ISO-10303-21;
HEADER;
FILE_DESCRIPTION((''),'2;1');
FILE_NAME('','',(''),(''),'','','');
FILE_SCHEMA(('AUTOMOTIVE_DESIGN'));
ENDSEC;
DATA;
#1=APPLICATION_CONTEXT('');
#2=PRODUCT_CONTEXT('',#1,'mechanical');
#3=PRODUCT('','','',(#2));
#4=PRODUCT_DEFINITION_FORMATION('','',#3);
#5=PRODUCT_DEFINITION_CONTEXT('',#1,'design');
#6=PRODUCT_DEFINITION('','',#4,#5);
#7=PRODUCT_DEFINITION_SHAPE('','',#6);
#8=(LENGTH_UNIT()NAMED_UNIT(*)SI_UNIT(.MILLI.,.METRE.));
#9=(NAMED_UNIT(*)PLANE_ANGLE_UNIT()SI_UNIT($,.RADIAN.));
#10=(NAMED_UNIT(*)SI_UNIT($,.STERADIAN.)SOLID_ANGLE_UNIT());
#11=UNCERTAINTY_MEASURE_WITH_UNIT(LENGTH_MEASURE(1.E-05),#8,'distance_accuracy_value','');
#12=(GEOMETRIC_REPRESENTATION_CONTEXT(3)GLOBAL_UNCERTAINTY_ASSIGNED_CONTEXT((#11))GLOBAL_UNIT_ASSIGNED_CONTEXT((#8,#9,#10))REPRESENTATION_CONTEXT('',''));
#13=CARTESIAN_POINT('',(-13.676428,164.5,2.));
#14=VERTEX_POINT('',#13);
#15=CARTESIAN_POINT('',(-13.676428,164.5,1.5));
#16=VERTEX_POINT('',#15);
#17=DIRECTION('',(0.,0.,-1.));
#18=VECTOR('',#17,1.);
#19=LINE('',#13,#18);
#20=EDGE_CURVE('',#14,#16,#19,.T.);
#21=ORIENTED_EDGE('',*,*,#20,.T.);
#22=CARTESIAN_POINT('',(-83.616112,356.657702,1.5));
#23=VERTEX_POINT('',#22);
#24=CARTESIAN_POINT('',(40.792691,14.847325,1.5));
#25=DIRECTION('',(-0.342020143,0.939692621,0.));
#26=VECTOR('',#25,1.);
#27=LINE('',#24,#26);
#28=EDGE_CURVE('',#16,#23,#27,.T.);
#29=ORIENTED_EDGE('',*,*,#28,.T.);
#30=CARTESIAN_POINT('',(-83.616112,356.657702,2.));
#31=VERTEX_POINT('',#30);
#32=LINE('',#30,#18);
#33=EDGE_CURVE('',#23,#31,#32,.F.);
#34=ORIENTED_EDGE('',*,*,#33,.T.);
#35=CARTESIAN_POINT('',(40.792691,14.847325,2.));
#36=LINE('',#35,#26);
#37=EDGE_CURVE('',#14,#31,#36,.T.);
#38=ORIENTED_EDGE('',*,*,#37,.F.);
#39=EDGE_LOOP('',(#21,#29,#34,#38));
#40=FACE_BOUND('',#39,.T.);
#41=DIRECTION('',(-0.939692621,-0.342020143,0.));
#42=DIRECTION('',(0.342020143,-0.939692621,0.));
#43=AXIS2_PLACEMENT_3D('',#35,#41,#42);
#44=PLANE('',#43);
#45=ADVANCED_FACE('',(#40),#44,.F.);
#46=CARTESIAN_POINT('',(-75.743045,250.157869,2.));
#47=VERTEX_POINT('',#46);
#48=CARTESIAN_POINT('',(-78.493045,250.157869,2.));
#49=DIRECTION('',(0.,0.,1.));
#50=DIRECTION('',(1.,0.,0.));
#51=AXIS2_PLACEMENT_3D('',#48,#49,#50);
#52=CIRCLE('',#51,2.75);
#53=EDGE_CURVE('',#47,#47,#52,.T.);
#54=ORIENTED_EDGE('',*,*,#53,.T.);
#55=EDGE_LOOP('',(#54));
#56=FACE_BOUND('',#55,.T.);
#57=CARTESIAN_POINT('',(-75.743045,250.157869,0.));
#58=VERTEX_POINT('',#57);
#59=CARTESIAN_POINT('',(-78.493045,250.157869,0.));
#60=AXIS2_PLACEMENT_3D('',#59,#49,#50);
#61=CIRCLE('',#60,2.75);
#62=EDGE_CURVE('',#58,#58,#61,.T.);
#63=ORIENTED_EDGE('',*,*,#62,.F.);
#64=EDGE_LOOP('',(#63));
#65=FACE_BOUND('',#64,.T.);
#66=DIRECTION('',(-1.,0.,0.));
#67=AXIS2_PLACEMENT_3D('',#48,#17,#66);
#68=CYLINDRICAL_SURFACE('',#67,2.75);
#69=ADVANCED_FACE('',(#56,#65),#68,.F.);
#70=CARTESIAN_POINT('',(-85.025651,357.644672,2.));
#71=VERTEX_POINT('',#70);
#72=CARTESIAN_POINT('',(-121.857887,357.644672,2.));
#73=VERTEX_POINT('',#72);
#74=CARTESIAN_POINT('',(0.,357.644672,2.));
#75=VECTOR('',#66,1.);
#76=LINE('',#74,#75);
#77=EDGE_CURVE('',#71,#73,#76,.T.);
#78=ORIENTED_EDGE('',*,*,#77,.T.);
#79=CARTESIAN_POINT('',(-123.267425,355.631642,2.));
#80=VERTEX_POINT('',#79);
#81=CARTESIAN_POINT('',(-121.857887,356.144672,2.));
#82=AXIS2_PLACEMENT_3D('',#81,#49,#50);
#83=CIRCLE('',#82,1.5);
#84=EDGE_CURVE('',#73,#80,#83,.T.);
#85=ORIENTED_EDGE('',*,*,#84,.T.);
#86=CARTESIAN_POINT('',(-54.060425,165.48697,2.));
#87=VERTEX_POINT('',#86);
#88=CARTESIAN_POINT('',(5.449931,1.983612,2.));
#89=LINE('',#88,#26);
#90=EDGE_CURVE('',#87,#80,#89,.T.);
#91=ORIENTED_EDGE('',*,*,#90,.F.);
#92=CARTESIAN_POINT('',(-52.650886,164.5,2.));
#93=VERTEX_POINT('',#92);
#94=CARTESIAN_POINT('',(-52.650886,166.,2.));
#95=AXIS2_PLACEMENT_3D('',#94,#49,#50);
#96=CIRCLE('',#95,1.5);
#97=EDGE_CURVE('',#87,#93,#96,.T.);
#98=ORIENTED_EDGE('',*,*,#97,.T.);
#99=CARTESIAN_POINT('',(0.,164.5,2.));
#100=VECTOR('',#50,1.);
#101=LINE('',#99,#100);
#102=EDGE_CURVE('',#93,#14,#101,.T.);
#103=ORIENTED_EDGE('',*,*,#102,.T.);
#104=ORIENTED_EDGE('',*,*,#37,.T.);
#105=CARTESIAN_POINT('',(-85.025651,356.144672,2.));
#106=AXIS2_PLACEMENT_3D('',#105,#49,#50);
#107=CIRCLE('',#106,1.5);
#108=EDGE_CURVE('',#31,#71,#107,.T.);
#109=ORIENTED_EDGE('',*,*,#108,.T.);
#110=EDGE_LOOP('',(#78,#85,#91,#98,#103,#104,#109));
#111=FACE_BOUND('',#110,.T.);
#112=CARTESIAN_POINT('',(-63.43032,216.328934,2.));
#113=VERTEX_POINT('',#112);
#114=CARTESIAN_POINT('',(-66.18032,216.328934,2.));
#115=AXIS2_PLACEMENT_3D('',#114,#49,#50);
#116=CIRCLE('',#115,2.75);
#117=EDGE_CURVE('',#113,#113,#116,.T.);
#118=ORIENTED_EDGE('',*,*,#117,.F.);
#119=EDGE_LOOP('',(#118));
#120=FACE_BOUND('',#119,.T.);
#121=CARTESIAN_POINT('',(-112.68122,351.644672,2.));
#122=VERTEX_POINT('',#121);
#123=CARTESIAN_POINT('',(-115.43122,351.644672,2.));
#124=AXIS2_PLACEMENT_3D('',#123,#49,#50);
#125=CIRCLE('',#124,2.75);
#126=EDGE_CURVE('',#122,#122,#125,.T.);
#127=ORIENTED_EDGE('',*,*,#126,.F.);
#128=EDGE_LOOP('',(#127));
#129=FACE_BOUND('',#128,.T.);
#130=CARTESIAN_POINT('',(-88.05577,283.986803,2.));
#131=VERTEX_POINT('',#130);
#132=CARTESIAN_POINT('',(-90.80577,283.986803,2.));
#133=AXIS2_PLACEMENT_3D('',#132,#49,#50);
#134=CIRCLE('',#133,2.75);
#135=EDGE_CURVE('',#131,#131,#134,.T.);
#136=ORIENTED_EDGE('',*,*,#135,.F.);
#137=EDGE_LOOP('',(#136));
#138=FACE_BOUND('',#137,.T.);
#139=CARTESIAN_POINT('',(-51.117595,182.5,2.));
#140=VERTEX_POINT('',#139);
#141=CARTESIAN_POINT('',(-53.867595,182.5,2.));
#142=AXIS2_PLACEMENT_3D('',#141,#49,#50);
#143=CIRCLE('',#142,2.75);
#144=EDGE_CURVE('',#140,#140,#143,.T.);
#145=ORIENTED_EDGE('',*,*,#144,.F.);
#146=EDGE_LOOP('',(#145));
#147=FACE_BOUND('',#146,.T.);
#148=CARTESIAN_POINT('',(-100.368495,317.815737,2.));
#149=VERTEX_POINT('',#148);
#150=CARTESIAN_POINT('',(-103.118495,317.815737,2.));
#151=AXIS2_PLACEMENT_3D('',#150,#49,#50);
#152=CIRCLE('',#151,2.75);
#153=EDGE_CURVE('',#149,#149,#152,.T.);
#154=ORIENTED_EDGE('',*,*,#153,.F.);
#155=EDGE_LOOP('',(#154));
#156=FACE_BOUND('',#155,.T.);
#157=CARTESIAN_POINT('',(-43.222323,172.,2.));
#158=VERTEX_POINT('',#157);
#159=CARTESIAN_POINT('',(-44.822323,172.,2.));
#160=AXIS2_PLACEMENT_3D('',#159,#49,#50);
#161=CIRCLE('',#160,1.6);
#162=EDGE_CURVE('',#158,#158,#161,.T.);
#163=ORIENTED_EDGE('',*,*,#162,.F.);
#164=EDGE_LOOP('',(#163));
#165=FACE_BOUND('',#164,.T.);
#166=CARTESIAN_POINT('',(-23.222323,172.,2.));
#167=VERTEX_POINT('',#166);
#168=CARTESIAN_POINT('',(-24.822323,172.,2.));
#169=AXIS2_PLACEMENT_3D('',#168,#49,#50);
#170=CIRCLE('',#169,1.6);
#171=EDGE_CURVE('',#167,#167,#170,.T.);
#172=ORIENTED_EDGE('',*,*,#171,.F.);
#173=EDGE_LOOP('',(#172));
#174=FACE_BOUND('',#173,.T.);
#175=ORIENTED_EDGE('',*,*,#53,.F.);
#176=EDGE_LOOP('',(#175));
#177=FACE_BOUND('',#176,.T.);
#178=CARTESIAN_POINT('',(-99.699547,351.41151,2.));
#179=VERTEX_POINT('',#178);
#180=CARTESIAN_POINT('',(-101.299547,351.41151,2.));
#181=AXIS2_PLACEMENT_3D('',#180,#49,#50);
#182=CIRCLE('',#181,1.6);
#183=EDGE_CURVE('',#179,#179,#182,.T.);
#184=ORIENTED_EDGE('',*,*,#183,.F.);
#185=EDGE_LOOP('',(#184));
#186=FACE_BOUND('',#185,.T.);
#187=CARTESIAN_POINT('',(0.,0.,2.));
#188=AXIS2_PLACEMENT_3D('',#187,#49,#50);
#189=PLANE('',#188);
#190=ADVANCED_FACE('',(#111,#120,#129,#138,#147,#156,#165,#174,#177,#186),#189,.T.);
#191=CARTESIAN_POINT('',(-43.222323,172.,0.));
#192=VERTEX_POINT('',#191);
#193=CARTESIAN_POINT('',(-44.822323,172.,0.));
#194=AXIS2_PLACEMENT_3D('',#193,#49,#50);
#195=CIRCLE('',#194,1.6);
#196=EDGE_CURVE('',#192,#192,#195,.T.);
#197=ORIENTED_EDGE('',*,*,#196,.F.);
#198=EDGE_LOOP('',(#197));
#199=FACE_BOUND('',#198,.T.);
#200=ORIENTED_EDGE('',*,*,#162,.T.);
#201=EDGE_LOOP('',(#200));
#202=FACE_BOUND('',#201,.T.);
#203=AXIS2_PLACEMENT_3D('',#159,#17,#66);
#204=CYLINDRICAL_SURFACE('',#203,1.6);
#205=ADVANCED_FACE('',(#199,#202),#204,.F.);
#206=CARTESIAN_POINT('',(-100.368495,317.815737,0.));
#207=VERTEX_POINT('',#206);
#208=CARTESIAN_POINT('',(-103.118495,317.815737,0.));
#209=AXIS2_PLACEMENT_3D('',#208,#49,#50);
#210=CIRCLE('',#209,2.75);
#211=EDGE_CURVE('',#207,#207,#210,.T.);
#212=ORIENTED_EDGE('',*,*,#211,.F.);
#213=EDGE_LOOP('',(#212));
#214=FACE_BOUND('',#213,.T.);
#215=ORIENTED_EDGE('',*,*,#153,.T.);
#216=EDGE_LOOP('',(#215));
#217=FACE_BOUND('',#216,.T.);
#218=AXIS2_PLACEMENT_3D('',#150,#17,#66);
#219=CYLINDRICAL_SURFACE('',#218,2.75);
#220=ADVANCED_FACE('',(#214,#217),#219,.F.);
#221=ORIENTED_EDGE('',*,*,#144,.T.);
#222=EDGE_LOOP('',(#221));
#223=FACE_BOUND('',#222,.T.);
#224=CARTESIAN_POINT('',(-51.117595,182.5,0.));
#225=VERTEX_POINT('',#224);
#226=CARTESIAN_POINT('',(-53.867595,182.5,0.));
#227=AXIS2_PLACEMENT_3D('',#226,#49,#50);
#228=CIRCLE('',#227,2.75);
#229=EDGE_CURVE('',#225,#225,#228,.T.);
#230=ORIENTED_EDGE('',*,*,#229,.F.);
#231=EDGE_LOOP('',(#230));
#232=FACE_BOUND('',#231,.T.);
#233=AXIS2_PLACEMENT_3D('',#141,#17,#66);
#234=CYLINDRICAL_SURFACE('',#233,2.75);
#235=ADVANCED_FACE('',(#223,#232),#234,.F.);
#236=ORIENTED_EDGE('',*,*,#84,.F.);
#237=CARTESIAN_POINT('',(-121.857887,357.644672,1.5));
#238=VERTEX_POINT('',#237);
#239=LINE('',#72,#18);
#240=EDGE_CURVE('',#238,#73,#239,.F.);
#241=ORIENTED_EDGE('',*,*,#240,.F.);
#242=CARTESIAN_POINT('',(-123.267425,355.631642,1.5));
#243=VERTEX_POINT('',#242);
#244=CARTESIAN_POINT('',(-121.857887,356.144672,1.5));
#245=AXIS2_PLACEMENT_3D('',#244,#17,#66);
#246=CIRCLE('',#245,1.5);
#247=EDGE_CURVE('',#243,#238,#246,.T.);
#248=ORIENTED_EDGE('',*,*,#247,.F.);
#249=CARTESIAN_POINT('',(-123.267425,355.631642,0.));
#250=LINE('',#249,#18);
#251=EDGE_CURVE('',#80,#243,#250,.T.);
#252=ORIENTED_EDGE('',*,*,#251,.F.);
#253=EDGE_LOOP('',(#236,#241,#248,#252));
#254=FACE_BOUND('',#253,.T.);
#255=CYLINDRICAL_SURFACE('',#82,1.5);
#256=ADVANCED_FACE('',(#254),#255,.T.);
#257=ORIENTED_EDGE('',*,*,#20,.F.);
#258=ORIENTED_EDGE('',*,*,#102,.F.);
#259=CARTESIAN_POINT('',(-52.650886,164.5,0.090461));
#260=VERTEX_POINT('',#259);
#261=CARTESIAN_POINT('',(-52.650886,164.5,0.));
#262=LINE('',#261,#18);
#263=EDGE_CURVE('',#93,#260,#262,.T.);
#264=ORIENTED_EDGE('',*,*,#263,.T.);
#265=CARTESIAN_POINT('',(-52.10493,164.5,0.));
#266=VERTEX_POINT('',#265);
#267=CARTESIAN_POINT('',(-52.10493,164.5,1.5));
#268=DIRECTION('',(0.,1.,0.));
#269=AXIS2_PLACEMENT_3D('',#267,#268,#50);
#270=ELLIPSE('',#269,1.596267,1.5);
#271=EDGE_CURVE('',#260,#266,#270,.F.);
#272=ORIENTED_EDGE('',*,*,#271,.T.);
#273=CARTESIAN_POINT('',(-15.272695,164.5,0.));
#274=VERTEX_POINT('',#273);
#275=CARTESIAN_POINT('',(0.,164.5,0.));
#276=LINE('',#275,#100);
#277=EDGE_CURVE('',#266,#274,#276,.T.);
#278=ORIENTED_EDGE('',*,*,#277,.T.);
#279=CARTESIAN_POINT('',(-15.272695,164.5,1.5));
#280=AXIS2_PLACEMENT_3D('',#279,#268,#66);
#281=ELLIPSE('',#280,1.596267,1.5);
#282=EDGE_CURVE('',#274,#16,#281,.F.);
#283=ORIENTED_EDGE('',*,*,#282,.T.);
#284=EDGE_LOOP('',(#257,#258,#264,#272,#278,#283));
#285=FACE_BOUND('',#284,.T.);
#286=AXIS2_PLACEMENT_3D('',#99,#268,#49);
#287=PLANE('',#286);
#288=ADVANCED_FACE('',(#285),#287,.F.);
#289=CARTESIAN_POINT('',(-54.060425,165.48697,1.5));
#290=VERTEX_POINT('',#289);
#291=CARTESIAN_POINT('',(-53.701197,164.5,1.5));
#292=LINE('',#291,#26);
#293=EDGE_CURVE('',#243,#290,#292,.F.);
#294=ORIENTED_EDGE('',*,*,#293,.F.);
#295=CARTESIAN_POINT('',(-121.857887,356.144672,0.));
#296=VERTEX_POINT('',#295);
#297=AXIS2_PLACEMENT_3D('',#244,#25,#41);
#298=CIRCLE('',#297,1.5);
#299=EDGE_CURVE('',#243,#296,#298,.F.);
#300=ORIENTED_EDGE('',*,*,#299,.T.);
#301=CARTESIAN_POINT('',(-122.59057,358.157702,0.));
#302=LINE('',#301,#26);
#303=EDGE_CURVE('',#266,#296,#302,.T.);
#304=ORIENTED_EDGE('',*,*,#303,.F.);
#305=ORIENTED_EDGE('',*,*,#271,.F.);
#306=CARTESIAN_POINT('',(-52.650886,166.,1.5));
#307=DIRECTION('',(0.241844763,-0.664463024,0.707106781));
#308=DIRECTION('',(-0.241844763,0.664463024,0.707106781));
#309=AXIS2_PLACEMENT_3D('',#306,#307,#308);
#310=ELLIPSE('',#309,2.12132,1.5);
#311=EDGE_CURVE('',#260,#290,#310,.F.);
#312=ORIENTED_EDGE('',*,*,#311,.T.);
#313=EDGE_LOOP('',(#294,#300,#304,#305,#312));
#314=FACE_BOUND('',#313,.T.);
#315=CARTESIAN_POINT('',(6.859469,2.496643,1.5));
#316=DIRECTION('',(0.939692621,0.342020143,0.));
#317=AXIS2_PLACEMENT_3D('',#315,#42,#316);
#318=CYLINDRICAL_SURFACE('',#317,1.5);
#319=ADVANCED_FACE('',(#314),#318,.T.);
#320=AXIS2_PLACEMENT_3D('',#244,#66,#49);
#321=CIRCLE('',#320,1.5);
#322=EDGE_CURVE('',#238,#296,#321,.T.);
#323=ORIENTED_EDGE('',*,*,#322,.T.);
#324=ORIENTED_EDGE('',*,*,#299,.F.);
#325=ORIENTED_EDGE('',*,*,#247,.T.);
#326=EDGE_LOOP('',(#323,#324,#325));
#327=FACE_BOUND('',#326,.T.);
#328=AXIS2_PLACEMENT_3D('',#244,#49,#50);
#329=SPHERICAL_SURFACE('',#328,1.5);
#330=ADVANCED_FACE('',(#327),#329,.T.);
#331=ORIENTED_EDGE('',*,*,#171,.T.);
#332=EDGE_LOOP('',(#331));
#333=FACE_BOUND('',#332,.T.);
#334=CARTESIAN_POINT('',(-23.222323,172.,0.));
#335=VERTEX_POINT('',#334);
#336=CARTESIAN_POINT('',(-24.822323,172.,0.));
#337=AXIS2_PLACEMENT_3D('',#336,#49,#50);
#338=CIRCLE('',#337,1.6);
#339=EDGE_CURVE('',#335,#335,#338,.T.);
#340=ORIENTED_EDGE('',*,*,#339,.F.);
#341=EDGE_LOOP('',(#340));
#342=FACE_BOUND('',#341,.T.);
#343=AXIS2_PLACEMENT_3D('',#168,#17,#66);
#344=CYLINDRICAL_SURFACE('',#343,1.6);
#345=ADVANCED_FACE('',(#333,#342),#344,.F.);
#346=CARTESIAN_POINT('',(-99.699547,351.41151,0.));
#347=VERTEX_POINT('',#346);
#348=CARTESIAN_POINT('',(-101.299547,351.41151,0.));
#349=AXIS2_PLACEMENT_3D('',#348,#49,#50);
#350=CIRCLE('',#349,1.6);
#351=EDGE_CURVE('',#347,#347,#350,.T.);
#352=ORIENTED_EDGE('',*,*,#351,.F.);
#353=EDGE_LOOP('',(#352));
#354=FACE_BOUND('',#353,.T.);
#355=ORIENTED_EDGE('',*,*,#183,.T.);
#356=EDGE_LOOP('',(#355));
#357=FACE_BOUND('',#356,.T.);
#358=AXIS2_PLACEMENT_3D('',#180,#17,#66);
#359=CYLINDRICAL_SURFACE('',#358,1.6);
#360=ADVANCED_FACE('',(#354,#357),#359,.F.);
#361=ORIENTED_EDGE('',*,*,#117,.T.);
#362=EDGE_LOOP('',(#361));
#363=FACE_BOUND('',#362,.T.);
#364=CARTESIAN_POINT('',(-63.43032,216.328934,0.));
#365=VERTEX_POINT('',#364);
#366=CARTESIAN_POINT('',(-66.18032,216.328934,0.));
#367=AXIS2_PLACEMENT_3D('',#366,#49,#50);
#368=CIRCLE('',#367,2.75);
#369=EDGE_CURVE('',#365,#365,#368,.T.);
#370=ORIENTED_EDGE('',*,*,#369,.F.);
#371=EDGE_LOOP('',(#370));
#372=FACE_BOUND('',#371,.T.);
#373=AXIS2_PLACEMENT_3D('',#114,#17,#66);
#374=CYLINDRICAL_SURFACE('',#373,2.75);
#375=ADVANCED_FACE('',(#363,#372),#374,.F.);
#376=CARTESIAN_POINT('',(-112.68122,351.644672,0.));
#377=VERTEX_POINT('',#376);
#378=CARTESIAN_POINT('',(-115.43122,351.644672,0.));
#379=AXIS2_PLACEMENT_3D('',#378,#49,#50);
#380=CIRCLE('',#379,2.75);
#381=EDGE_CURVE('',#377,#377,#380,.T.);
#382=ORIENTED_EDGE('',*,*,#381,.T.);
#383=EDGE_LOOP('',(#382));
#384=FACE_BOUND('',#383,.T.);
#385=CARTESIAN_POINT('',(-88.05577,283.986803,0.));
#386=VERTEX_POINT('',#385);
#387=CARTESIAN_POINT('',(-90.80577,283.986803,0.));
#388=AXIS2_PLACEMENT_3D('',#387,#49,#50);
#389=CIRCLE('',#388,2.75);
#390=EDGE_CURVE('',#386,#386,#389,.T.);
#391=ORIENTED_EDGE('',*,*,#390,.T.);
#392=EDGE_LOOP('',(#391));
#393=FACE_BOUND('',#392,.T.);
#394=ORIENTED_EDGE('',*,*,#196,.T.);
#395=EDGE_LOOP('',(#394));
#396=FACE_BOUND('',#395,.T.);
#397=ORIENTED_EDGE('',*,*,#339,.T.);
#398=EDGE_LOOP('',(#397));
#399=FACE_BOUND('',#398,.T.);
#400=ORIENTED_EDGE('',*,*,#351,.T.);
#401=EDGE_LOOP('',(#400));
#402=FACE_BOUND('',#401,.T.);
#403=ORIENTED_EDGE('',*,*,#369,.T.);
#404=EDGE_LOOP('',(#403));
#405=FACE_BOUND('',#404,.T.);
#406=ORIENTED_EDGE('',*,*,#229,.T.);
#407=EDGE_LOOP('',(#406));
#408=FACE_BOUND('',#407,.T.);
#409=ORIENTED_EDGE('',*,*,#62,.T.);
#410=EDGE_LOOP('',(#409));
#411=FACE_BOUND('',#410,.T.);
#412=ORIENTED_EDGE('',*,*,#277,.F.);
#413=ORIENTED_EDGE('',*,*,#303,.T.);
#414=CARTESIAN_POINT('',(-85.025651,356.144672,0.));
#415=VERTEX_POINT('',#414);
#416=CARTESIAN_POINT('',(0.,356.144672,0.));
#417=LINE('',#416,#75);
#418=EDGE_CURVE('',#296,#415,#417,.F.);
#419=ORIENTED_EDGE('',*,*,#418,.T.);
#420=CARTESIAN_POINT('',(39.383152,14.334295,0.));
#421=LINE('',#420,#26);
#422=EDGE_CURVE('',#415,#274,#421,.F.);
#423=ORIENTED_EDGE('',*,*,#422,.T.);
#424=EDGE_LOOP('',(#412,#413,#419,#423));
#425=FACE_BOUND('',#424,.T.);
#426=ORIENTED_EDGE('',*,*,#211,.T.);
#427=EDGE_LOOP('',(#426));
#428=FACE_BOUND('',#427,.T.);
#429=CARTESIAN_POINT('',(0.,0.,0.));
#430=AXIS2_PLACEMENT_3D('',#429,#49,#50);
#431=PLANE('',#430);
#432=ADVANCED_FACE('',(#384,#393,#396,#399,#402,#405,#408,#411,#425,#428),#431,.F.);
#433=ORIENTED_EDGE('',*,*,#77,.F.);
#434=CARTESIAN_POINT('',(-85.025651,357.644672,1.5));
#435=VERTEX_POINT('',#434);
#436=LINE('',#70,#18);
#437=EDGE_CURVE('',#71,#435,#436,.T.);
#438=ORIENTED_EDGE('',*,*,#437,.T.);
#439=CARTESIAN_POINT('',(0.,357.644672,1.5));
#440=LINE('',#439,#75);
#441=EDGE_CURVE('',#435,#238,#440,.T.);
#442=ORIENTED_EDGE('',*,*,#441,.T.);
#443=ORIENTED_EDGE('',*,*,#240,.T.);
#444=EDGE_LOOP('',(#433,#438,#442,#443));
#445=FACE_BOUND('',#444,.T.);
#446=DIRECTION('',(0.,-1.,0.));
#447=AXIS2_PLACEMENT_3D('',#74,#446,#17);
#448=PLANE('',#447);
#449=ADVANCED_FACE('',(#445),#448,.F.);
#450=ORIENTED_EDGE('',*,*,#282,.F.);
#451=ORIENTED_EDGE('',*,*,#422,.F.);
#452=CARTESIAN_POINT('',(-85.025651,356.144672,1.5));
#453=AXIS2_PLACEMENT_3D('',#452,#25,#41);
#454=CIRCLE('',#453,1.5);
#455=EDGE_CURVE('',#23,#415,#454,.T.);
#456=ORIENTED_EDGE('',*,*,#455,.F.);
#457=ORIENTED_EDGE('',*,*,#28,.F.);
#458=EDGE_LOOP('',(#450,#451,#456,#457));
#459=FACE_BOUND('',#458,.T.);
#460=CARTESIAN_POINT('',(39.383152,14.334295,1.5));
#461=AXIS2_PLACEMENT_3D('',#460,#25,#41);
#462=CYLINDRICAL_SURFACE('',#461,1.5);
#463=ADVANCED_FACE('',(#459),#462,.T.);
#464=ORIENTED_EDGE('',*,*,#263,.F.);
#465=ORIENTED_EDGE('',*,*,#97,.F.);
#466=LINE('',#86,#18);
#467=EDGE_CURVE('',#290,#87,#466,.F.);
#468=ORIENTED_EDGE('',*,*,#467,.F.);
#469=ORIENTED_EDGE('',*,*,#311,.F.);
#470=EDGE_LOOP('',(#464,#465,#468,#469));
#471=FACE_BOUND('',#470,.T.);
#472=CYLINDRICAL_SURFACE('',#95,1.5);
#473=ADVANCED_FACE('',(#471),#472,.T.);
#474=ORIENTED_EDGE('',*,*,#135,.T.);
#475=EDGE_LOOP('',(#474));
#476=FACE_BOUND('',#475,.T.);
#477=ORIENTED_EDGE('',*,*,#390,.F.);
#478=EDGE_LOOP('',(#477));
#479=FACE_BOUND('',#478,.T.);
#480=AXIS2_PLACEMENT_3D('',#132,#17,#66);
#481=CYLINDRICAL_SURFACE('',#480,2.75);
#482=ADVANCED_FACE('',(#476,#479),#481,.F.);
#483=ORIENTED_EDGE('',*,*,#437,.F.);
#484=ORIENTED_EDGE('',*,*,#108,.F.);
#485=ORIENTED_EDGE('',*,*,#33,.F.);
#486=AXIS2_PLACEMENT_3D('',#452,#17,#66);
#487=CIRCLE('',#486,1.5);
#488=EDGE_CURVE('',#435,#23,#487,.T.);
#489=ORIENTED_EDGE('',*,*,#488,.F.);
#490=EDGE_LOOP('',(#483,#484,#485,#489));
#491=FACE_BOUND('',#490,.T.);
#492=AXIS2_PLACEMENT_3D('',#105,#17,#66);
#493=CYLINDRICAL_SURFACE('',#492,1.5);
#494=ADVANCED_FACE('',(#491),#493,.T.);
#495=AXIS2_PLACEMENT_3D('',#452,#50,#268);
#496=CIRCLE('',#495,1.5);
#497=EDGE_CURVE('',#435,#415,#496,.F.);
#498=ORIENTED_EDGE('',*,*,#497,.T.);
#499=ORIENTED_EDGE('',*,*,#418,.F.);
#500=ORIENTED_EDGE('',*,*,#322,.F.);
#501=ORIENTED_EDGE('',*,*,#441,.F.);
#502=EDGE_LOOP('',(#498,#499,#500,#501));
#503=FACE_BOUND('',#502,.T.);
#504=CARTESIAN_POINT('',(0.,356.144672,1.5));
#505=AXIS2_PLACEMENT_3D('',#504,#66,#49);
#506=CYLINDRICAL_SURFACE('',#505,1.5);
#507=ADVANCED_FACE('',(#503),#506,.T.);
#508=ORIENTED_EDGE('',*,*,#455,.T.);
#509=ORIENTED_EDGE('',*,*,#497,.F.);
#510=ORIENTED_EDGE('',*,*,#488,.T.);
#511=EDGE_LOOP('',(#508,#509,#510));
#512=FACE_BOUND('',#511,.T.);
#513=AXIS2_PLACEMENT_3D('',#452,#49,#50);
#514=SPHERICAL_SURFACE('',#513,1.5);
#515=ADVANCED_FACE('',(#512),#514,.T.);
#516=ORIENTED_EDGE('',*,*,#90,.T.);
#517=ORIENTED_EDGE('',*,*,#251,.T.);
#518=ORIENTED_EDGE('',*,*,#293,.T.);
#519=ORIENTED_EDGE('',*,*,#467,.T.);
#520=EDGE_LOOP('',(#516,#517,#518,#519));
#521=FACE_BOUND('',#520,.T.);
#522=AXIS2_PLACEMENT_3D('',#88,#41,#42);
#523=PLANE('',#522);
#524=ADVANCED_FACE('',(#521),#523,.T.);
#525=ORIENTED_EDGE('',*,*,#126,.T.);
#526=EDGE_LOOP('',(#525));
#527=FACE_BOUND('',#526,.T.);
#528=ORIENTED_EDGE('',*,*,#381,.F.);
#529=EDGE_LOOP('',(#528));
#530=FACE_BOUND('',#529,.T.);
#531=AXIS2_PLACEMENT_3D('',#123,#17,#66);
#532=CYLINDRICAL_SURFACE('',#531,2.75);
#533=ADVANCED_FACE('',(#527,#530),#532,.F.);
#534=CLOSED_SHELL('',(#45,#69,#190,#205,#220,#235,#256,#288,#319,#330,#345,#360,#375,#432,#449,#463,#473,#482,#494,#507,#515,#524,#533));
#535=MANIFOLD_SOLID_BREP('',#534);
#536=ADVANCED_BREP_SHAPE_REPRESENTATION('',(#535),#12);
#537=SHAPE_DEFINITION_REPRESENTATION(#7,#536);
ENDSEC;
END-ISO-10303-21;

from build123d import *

# Parameters (mm, degrees)
SKETCH2_R           = 2.75
SKETCH2_R_2         = 1.6
BOSS_EXTRUDE1_DEPTH = 2
FILLET1_R           = 1.5


with BuildPart() as part:
    # Sketch2 → Boss-Extrude1 (new body)
    with BuildSketch(Plane.XY):
        Polygon((-13.676428112, 164.5), (-83.975339533, 357.644671741), (-124.00010851, 357.644671741), (-53.701197089, 164.5), align=None)
        with Locations((-78.493044991, 250.157868697)):
            Circle(SKETCH2_R, mode=Mode.SUBTRACT)
        with Locations((-53.867594671, 182.5)):
            Circle(SKETCH2_R, mode=Mode.SUBTRACT)
        with Locations((-66.180319831, 216.328934348)):
            Circle(SKETCH2_R, mode=Mode.SUBTRACT)
        with Locations((-44.822322699, 172)):
            Circle(SKETCH2_R_2, mode=Mode.SUBTRACT)
        with Locations((-24.822322699, 172)):
            Circle(SKETCH2_R_2, mode=Mode.SUBTRACT)
        with Locations((-90.805770151, 283.986803045)):
            Circle(SKETCH2_R, mode=Mode.SUBTRACT)
        with Locations((-103.11849531, 317.815737393)):
            Circle(SKETCH2_R, mode=Mode.SUBTRACT)
        with Locations((-115.43122047, 351.644671741)):
            Circle(SKETCH2_R, mode=Mode.SUBTRACT)
        with Locations((-101.29954666, 351.411510234)):
            Circle(SKETCH2_R_2, mode=Mode.SUBTRACT)
    extrude(amount=BOSS_EXTRUDE1_DEPTH)

    # Fillet1
    fillet1_edges = [part.edges().sort_by_distance(p)[0] for p in [
        (-88.8506528, 261.072335871, 0),
        (-103.987724022, 357.644671741, 0),
        (-48.825883822, 261.072335871, 0),
        (-53.701197089, 164.5, 1),
        (-124.00010851, 357.644671741, 1),
        (-83.975339533, 357.644671741, 1),
    ]]
    fillet(fillet1_edges, radius=FILLET1_R)


solid = part.part
